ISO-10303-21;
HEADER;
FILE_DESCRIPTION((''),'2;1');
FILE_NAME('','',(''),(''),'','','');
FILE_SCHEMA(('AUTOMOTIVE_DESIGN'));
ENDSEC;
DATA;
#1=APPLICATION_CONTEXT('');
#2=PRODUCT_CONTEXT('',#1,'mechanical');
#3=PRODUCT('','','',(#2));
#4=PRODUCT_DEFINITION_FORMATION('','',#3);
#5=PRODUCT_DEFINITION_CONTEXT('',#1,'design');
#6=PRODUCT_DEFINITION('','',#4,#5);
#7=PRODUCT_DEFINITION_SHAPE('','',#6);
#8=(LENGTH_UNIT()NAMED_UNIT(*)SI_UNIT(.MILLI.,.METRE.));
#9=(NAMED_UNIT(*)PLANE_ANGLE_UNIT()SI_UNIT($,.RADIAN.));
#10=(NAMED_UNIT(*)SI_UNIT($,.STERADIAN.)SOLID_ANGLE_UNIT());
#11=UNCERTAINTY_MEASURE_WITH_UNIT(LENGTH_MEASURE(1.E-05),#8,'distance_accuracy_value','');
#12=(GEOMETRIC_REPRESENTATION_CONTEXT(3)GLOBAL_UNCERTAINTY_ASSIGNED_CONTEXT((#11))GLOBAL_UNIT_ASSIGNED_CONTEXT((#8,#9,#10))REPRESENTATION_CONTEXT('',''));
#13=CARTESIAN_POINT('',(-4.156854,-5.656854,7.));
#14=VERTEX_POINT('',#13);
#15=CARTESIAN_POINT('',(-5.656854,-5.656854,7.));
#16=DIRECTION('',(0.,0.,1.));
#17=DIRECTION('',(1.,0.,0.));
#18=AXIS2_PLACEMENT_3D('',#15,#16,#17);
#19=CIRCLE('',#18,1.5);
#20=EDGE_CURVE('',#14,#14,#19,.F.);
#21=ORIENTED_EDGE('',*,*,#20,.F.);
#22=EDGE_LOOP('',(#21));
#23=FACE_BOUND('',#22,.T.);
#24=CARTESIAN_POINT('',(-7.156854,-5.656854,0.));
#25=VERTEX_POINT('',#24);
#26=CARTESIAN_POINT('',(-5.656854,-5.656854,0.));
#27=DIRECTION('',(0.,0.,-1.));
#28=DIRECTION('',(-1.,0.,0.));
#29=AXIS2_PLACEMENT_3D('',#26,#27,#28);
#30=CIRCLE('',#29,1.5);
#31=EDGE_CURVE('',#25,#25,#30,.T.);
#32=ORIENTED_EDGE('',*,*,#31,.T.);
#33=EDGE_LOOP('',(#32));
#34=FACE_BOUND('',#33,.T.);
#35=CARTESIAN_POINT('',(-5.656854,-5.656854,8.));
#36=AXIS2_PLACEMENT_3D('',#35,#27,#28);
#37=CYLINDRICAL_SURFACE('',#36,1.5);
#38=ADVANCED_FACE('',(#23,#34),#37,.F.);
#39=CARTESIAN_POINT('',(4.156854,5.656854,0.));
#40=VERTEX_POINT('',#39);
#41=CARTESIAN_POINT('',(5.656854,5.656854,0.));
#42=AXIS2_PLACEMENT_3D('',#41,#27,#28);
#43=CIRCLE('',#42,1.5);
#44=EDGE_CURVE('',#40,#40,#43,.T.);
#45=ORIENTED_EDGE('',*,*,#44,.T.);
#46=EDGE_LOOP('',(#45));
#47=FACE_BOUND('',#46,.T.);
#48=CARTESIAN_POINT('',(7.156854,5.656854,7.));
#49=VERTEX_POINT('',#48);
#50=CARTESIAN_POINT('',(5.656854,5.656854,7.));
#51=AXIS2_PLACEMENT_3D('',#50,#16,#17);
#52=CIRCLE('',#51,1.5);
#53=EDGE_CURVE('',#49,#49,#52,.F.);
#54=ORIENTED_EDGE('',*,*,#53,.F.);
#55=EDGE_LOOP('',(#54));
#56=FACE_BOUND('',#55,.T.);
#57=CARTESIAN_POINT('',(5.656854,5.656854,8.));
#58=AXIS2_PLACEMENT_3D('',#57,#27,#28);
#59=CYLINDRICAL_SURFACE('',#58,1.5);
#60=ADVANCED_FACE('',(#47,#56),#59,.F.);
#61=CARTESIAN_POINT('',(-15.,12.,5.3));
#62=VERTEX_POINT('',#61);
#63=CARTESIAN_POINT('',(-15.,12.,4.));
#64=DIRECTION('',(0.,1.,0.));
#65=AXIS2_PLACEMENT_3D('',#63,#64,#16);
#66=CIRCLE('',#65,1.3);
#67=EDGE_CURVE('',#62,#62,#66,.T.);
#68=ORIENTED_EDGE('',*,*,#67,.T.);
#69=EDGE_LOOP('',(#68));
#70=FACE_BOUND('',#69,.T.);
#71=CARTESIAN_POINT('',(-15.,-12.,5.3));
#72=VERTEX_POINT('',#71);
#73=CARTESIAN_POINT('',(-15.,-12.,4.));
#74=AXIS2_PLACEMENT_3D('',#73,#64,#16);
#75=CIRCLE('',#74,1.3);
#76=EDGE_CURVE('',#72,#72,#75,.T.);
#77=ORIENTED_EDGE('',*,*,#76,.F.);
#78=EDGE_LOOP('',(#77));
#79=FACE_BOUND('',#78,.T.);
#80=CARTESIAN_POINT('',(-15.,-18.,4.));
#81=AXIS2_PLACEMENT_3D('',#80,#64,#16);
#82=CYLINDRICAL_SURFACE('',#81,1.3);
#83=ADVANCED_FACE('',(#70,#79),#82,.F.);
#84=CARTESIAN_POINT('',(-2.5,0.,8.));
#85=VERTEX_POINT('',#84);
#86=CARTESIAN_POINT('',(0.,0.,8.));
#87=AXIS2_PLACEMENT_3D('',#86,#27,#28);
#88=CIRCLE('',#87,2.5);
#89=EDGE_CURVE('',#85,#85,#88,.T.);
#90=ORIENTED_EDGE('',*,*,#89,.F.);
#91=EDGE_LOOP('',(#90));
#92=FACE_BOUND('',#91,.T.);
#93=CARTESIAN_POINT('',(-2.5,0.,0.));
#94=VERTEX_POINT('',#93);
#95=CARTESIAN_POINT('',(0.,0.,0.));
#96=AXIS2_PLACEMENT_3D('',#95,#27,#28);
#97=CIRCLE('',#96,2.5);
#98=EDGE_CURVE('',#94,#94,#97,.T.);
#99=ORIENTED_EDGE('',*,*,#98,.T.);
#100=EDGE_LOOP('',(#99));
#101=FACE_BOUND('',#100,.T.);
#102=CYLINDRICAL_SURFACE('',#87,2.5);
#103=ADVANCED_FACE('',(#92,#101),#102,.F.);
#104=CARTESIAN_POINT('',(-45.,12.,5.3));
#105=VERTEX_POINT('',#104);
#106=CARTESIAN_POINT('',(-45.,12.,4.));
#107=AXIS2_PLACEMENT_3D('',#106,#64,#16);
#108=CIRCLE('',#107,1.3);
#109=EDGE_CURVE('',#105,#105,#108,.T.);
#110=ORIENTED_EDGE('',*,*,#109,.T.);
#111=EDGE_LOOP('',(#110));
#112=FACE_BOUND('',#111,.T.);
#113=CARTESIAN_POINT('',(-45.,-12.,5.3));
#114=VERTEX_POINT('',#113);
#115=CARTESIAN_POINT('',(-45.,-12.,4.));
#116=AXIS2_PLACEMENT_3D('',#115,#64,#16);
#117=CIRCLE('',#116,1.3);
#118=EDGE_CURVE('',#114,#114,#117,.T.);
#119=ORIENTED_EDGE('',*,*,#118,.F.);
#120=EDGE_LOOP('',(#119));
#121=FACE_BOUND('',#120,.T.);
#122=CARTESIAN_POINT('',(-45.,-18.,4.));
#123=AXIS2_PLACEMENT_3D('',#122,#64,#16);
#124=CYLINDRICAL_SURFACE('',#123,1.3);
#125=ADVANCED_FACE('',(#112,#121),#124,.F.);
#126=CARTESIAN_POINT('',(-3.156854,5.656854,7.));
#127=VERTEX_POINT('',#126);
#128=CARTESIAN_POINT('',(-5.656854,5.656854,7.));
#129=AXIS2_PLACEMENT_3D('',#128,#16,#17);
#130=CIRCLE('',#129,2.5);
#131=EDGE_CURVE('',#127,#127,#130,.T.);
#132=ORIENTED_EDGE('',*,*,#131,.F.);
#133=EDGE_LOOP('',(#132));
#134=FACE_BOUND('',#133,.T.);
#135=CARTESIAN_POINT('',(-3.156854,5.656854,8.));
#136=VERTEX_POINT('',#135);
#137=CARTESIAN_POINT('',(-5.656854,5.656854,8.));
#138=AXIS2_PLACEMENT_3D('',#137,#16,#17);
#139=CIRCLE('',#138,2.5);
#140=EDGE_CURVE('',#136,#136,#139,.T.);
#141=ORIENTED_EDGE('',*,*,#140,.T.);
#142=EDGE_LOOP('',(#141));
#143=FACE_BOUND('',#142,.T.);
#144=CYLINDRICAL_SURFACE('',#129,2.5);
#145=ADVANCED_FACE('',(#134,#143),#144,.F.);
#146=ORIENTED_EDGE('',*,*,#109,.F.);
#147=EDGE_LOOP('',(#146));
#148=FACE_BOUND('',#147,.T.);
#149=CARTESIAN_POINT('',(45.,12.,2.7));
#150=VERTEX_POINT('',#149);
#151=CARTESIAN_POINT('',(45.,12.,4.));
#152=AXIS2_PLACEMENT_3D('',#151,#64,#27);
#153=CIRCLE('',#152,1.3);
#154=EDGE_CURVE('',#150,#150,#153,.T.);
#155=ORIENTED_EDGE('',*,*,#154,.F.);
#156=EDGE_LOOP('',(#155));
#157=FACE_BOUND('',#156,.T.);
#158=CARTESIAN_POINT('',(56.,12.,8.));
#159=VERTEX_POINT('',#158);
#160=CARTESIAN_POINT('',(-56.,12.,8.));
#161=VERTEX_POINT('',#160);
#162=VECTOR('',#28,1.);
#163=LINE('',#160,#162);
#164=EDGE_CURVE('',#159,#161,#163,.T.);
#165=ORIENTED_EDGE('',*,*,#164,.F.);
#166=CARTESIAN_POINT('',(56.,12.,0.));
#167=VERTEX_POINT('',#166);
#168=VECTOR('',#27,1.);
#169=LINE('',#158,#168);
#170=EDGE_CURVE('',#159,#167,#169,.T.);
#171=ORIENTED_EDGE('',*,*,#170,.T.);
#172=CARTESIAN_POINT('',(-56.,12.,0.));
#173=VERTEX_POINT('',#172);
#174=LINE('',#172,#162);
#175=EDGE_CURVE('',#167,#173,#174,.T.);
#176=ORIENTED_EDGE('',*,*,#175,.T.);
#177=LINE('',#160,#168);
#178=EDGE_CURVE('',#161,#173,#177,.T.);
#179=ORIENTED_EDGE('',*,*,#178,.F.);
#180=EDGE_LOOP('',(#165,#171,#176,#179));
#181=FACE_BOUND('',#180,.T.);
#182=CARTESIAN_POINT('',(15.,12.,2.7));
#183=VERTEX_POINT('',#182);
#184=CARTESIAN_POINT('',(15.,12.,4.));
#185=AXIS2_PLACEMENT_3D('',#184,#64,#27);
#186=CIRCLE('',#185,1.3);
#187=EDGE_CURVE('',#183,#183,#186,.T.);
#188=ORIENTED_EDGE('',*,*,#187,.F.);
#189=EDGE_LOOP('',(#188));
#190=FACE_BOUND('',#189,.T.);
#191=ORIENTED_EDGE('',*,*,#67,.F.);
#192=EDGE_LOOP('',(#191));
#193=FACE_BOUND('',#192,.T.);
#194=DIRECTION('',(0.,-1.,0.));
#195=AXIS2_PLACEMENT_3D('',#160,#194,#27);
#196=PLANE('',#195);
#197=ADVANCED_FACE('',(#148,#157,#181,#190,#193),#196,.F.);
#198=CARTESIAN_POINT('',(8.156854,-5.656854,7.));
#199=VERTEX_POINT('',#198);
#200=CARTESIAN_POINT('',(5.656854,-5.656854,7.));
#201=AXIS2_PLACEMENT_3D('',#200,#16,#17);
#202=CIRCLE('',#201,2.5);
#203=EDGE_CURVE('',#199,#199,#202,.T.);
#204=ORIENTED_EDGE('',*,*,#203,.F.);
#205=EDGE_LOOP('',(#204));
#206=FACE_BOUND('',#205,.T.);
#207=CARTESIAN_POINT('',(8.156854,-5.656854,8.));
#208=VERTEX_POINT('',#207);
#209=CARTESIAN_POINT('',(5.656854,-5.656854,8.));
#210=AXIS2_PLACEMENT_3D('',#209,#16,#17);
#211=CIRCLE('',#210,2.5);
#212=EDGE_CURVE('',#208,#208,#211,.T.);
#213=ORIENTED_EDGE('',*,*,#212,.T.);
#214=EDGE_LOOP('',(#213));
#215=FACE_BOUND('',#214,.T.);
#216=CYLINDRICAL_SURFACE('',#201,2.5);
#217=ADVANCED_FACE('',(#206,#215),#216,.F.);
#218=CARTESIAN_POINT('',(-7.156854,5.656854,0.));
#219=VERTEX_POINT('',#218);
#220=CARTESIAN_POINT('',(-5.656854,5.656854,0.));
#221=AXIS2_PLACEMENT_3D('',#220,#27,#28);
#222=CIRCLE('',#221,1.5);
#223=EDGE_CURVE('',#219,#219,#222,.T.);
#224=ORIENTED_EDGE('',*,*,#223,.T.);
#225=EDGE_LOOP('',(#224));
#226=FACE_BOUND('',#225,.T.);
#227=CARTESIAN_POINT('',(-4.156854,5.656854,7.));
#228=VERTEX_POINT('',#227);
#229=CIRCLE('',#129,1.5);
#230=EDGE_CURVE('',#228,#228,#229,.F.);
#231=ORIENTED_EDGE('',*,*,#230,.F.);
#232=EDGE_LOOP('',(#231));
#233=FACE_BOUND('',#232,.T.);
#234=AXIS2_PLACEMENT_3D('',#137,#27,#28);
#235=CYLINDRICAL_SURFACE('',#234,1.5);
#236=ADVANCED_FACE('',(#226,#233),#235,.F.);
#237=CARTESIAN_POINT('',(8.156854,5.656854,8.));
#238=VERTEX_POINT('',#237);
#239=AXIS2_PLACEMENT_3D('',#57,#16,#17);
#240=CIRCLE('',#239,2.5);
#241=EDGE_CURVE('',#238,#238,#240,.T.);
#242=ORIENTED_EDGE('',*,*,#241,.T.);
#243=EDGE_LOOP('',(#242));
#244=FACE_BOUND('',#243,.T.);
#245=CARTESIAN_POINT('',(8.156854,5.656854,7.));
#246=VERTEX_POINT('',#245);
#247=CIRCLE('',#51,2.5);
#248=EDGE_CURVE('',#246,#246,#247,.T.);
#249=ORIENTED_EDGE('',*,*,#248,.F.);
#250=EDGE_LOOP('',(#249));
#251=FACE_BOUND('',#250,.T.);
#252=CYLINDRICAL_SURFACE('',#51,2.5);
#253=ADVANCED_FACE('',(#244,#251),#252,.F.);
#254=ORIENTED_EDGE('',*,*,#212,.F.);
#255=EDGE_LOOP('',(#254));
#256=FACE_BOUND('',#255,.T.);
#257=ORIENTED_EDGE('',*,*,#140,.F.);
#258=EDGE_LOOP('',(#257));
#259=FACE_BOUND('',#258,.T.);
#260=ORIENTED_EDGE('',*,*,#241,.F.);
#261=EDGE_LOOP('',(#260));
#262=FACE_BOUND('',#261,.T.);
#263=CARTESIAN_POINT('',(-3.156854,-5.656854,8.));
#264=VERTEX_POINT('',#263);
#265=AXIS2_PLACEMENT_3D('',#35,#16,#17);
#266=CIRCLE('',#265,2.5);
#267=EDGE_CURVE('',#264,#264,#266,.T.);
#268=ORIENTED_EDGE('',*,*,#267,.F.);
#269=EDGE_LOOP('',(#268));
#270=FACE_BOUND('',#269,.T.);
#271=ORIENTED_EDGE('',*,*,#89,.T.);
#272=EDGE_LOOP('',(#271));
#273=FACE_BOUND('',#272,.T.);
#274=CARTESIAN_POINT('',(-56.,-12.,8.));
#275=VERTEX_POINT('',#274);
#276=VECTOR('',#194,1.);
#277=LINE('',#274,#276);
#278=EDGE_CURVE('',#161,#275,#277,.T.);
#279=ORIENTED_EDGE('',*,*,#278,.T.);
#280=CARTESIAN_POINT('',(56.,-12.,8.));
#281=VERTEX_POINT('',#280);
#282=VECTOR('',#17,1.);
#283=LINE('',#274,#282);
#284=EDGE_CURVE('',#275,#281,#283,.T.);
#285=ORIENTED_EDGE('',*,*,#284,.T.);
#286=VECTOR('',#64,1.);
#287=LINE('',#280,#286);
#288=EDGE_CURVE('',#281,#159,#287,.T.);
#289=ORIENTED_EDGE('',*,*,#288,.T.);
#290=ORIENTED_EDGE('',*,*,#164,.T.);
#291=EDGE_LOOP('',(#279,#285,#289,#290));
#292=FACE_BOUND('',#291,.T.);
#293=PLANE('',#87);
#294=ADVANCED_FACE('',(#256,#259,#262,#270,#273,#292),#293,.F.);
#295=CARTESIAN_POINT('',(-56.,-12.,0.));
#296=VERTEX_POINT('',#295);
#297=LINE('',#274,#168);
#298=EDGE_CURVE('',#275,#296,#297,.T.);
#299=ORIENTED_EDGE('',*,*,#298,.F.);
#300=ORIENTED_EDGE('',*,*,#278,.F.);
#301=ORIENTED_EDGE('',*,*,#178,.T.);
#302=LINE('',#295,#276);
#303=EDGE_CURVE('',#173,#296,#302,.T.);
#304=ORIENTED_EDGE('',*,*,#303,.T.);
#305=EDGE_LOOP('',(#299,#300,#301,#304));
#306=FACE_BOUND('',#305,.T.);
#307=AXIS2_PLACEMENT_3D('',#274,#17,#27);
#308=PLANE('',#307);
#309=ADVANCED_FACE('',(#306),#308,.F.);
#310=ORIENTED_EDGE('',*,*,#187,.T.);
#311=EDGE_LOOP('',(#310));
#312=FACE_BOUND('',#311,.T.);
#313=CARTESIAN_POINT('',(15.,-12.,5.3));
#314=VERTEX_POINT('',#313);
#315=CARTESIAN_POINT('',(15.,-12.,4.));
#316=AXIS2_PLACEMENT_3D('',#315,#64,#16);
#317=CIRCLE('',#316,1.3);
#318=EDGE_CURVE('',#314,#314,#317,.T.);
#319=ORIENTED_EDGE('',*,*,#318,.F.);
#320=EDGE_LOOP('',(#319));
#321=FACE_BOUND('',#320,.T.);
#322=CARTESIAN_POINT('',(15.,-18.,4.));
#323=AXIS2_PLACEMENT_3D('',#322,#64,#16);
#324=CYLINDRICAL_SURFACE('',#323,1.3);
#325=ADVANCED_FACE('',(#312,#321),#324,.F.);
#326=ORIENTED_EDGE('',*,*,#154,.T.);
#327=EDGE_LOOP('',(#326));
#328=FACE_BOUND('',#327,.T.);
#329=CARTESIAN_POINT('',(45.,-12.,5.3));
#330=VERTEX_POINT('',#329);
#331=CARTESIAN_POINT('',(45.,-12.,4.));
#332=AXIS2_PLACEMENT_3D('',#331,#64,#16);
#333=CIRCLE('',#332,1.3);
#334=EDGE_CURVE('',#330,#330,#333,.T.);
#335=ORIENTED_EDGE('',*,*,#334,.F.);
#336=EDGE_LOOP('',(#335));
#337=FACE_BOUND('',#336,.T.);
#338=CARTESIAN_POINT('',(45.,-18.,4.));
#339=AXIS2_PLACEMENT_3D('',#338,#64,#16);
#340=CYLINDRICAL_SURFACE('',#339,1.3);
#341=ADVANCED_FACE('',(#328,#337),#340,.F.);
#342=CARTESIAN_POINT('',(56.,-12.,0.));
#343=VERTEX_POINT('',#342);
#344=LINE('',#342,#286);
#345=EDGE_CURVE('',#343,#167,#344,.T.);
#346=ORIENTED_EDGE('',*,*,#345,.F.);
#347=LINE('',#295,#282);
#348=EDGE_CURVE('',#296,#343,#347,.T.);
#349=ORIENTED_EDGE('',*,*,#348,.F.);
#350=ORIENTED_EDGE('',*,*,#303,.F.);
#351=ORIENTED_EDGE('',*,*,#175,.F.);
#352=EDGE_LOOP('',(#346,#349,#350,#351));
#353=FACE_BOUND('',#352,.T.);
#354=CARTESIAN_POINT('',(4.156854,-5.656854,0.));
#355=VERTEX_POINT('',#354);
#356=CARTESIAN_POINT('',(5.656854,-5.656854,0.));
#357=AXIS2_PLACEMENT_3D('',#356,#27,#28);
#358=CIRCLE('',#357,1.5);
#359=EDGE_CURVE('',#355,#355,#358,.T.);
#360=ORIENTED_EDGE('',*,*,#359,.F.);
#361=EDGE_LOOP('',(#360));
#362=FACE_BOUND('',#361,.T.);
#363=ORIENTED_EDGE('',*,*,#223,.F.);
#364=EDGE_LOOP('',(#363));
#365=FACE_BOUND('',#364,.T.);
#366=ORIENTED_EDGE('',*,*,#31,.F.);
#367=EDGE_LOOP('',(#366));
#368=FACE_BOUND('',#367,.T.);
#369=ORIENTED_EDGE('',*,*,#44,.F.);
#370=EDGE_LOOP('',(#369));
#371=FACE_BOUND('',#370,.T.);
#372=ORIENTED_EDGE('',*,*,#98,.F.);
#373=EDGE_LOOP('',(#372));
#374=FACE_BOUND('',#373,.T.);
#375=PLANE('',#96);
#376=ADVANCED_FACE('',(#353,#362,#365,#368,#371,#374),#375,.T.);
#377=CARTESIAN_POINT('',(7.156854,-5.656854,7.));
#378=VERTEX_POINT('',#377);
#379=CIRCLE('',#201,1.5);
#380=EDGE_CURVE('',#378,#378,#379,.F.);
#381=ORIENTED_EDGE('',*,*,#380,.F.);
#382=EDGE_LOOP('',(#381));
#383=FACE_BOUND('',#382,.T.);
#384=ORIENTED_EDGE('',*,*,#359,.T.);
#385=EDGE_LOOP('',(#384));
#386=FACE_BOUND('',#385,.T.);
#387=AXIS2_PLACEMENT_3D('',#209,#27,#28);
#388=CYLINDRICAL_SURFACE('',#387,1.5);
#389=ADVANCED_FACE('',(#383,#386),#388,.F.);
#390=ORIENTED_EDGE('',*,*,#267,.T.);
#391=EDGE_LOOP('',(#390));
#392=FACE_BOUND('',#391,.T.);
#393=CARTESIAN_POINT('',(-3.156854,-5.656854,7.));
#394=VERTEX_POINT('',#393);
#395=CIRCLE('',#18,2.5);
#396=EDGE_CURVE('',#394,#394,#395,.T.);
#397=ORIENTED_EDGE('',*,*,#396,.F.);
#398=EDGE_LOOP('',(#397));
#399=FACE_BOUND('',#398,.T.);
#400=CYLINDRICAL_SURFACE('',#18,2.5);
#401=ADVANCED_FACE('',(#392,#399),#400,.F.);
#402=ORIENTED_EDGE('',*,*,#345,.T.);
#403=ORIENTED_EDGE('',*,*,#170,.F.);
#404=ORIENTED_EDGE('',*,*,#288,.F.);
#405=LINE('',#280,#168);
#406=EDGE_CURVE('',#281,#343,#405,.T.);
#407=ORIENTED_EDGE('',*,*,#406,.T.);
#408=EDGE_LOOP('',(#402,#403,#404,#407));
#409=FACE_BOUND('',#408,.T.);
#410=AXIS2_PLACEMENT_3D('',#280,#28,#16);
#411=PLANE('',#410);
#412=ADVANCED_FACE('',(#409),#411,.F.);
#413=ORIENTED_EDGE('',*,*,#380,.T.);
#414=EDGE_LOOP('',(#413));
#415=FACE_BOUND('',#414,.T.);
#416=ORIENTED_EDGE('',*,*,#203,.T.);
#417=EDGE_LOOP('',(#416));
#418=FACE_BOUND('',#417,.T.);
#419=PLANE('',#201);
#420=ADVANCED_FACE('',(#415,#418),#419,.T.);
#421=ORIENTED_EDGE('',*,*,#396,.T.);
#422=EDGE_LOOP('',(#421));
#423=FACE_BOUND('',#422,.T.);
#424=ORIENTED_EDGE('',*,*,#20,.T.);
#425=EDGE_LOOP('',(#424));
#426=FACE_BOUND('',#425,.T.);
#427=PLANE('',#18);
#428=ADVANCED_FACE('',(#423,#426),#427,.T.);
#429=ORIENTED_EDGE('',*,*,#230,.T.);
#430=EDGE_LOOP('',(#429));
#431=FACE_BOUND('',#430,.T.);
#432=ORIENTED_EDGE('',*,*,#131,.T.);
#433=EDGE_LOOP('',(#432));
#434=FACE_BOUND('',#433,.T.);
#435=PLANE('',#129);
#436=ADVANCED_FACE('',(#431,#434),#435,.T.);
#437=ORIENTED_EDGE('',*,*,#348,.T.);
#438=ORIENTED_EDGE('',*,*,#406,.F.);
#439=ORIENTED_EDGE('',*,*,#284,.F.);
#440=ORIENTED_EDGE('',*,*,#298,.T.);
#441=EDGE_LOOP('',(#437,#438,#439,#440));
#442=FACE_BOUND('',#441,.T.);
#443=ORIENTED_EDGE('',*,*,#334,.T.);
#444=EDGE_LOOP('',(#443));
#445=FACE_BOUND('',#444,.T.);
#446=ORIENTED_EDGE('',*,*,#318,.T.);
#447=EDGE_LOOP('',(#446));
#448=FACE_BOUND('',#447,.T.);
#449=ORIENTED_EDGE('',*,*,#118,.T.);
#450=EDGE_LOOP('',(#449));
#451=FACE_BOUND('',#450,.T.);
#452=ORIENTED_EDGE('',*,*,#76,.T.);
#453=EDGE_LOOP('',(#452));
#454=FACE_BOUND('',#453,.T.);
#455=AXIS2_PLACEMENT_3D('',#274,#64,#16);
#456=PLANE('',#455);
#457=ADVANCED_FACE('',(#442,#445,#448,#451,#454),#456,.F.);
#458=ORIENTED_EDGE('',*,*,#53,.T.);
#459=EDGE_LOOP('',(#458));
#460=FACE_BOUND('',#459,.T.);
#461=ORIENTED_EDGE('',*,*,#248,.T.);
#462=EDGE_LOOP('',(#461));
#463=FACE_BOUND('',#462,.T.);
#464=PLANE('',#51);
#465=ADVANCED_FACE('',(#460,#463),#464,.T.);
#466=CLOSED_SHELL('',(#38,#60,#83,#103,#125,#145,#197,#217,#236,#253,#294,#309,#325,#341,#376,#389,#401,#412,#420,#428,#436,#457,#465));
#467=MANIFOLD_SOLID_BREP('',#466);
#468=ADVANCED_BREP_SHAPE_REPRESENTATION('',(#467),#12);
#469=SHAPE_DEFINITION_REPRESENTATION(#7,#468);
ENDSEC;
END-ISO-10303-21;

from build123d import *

# Parameters (mm, degrees)
SKETCH_1_W          = 112
SKETCH_1_H          = 24
EXTRUDE_1_DEPTH     = 8
SKETCH_2_R          = 1.3
CUT_EXTRUDE_1_DEPTH = 30
SKETCH_3_R          = 2.5
SKETCH_3_R_2        = 1.5
CUT_EXTRUDE_2_DEPTH = 58.827329179
SKETCH_5_R          = 2.5
CUT_EXTRUDE_4_DEPTH = 1


with BuildPart() as part:
    # 草图1 → 凸台-拉伸1 (new body)
    with BuildSketch(Plane.XY):
        Rectangle(SKETCH_1_W, SKETCH_1_H)
    extrude(amount=EXTRUDE_1_DEPTH)

    # 草图2 → 切除-拉伸1 (cut)
    with BuildSketch(Plane(origin=(0, 12, 0), x_dir=(1, 0, 0), z_dir=(0, 1, 0))):
        with Locations(Location((-15, -4, 0), (0, 0, 270))):
            Circle(SKETCH_2_R)
        with Locations(Location((-45, -4, 0), (0, 0, 270))):
            Circle(SKETCH_2_R)
        with Locations(Location((45, -4, 0), (0, 0, 270))):
            Circle(SKETCH_2_R)
        with Locations(Location((15, -4, 0), (0, 0, 270))):
            Circle(SKETCH_2_R)
    extrude(amount=-CUT_EXTRUDE_1_DEPTH, mode=Mode.SUBTRACT)

    # 草图3 → 切除-拉伸2 (cut, through all)
    with BuildSketch(Plane(origin=(0, 0, 0), x_dir=(-1, 0, 0), z_dir=(0, 0, -1))):
        Circle(SKETCH_3_R)
        with Locations((-5.656854249, -5.656854249)):
            Circle(SKETCH_3_R_2)
        with Locations((-5.656854249, 5.656854249)):
            Circle(SKETCH_3_R_2)
        with Locations((5.656854249, 5.656854249)):
            Circle(SKETCH_3_R_2)
        with Locations((5.656854249, -5.656854249)):
            Circle(SKETCH_3_R_2)
    extrude(amount=-CUT_EXTRUDE_2_DEPTH, mode=Mode.SUBTRACT)

    # 草图5 → 切除-拉伸4 (cut)
    with BuildSketch(Plane.XY.offset(8)):
        with Locations((-5.656854249, -5.656854249)):
            Circle(SKETCH_5_R)
        with Locations((5.656854249, -5.656854249)):
            Circle(SKETCH_5_R)
        with Locations((5.656854249, 5.656854249)):
            Circle(SKETCH_5_R)
        with Locations((-5.656854249, 5.656854249)):
            Circle(SKETCH_5_R)
    extrude(amount=-CUT_EXTRUDE_4_DEPTH, mode=Mode.SUBTRACT)


solid = part.part
